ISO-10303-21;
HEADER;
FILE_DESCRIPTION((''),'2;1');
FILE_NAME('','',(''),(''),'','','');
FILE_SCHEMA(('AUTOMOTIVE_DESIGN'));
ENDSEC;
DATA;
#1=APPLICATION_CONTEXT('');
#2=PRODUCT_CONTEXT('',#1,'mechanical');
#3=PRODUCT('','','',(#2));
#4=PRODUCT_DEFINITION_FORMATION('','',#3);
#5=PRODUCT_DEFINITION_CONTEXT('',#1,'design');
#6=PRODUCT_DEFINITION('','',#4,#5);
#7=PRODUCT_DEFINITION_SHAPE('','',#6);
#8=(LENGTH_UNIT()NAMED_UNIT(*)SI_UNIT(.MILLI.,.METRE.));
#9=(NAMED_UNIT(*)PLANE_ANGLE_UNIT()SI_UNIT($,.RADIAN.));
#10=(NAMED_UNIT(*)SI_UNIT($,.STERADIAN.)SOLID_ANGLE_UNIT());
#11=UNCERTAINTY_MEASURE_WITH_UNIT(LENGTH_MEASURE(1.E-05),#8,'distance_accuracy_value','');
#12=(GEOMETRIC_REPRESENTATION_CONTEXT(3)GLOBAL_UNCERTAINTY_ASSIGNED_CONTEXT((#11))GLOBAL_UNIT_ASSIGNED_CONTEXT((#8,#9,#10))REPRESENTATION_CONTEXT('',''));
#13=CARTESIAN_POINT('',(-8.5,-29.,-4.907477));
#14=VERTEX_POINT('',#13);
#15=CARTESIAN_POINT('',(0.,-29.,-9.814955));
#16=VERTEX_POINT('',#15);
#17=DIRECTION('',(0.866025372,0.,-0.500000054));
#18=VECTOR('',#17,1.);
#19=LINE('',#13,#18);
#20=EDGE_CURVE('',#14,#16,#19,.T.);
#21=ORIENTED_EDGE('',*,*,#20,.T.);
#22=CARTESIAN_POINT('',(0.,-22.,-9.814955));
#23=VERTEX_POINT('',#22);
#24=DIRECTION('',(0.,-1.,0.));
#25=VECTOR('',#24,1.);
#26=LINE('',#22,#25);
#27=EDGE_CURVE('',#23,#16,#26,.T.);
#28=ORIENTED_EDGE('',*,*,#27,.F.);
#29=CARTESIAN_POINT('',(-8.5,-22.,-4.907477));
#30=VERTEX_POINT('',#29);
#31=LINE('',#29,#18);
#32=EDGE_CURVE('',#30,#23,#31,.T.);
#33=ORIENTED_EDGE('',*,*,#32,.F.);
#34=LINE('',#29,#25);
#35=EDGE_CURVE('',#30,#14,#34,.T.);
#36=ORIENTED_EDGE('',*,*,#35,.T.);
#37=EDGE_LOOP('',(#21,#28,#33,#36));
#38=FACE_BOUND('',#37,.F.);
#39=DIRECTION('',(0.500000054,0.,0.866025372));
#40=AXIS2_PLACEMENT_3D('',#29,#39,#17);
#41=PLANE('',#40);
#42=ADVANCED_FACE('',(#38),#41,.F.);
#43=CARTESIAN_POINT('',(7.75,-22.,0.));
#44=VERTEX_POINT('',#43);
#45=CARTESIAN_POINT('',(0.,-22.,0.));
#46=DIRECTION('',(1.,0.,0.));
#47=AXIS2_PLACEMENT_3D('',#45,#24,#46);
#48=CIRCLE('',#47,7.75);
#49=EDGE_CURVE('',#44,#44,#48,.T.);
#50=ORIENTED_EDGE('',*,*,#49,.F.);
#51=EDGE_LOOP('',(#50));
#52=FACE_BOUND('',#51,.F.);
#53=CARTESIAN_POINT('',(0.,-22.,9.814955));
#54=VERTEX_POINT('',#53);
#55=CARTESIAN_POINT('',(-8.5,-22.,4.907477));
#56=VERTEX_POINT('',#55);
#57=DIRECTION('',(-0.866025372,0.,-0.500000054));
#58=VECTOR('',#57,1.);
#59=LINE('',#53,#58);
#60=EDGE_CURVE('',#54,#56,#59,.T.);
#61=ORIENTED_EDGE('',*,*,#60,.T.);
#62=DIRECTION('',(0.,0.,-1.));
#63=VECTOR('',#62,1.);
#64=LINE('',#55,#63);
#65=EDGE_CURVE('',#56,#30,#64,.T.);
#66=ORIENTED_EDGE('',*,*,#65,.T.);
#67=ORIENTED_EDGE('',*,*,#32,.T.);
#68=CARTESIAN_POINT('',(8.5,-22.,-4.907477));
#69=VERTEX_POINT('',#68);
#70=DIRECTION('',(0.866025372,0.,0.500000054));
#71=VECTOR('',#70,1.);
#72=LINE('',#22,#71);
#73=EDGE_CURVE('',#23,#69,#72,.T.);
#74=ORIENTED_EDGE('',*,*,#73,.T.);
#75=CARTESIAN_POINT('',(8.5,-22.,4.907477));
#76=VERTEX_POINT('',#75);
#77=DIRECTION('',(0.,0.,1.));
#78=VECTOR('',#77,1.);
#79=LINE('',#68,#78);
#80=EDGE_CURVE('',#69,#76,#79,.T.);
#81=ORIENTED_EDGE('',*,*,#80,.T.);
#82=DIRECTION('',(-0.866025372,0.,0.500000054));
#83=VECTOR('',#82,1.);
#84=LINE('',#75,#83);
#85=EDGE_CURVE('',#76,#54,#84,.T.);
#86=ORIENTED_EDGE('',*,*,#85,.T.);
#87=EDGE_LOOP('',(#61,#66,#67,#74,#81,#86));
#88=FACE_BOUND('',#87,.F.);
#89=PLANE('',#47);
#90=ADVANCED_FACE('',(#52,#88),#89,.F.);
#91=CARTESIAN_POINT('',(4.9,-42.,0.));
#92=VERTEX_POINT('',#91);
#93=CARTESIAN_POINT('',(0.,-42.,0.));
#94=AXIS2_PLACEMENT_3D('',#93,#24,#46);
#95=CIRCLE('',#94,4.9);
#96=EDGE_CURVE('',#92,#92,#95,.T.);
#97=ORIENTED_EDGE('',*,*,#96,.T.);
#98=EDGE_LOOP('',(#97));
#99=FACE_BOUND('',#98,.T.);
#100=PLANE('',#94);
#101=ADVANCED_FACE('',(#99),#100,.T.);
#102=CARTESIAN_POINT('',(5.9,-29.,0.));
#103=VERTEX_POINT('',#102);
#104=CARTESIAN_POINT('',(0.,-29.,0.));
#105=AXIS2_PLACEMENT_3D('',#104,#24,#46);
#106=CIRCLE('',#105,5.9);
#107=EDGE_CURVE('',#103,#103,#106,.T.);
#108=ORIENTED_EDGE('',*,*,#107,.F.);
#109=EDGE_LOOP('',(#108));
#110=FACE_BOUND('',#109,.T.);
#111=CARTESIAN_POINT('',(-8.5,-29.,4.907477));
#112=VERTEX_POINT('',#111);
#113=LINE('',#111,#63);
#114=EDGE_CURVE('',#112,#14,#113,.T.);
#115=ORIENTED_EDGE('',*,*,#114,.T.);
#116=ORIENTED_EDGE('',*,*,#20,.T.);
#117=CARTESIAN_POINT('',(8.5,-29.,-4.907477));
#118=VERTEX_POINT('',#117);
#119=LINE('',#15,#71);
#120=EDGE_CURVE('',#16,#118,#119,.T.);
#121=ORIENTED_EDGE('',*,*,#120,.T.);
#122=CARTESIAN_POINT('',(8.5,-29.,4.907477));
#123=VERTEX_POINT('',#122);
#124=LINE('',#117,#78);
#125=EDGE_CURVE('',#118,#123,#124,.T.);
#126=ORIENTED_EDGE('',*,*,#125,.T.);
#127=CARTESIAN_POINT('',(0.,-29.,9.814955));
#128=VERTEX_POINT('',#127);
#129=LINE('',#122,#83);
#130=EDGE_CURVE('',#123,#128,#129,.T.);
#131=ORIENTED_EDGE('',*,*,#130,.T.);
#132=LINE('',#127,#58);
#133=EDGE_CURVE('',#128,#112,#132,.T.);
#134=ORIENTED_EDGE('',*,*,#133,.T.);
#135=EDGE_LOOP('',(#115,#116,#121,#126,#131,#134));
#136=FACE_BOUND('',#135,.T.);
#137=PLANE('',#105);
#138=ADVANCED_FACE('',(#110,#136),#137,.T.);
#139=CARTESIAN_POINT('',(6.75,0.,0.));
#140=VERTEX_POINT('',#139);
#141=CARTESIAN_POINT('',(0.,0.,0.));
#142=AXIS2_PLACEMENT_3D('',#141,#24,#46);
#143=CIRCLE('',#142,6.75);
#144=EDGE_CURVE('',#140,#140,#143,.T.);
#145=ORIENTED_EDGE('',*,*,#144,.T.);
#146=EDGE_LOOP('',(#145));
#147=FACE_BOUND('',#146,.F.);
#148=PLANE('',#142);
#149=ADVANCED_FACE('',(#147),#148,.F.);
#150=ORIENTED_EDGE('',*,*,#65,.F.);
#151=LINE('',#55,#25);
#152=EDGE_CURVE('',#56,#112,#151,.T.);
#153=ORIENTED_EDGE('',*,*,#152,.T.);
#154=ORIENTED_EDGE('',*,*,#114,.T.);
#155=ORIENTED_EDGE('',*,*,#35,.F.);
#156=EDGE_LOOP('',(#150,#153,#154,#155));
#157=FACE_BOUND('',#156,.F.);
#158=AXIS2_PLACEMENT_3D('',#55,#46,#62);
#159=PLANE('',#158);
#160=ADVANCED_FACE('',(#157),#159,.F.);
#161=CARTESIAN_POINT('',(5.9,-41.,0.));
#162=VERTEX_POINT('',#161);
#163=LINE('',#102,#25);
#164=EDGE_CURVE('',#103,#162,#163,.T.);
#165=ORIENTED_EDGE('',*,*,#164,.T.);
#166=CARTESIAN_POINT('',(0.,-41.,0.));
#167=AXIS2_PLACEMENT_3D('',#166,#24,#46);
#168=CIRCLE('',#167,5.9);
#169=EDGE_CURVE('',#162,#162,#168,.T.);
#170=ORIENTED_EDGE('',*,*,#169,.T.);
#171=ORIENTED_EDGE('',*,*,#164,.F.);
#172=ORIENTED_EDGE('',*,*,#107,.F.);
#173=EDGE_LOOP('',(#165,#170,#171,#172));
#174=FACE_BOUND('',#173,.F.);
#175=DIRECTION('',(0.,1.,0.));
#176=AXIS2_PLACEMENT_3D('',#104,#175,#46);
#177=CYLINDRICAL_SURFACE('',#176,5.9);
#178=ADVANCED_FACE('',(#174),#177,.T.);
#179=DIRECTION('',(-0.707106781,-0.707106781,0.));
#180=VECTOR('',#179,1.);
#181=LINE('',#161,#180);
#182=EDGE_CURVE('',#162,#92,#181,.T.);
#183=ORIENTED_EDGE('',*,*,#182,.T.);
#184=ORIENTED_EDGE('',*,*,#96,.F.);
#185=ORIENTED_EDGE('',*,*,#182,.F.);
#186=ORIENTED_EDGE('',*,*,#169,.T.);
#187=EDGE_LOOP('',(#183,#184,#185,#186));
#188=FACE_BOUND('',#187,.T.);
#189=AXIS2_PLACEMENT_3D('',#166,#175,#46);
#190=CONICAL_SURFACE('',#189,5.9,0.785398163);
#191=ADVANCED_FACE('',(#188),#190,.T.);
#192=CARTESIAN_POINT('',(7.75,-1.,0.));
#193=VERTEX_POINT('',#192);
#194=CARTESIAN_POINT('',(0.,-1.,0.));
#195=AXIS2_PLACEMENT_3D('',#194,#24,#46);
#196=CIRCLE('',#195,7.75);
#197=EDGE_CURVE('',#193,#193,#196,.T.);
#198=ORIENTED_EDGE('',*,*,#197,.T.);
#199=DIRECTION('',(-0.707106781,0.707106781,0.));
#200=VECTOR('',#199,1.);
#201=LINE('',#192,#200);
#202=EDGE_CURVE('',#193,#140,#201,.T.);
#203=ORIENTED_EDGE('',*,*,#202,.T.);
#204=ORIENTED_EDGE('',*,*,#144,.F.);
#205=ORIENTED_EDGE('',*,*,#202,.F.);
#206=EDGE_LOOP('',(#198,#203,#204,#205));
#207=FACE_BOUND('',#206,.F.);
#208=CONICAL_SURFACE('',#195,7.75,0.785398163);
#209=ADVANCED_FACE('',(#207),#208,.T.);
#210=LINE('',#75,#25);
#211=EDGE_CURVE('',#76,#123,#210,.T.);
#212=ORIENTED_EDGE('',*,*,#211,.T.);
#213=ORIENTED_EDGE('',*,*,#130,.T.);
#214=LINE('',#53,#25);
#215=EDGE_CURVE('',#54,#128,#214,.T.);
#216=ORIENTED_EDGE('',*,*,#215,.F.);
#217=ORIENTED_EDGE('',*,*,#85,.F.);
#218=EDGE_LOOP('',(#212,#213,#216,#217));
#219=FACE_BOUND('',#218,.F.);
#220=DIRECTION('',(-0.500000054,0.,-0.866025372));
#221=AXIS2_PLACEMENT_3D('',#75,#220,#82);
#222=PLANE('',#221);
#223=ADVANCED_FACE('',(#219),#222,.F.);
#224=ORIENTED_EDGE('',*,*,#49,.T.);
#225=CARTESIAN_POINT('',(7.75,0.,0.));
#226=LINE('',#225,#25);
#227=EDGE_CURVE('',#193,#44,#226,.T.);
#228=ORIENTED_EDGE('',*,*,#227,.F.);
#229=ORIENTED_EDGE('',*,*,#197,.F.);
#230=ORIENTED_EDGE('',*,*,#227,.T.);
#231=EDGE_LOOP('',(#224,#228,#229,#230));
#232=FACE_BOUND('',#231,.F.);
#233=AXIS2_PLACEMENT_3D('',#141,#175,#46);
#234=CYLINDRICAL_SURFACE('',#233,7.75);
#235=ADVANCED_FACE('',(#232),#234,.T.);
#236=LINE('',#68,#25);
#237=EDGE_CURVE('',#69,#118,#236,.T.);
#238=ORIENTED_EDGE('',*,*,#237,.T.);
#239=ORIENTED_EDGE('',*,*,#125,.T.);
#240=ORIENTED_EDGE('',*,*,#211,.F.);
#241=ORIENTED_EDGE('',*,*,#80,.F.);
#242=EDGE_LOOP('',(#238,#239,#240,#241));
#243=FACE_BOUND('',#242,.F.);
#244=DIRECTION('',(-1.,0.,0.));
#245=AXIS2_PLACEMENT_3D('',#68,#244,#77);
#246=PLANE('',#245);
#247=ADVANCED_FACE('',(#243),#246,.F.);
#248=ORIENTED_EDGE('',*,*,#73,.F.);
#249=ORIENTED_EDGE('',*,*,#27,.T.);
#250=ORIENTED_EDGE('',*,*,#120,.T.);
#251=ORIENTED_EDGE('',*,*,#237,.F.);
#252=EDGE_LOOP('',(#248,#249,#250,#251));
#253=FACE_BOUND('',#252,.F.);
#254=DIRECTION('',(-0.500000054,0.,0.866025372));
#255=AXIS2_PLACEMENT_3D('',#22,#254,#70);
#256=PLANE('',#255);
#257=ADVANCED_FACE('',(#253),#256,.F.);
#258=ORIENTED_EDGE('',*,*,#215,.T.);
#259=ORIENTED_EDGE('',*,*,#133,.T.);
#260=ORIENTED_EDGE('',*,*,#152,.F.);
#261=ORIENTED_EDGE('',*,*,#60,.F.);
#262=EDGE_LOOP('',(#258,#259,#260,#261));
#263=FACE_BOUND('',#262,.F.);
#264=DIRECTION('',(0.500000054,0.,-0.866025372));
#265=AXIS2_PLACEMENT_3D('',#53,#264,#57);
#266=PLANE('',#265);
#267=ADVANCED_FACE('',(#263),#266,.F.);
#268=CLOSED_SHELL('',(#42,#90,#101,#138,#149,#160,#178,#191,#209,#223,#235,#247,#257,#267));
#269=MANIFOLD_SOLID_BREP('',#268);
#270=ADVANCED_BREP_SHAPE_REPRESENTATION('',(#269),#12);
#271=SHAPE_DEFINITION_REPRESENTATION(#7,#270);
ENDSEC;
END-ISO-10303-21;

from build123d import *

# Parameters (mm, degrees)
F0_R     = 7.75
F1_DEPTH = 22
F3_DEPTH = 7
F4_R     = 5.9
F5_DEPTH = 13
F6_SIZE  = 1


with BuildPart() as f1:
    # F0 (on Front) → F1 (new body)
    with BuildSketch(Plane.XZ):
        Circle(F0_R)
    extrude(amount=F1_DEPTH)

    # F2 (on face) → F3 (join)
    with BuildSketch(Plane.XZ.offset(22)):
        Polygon((8.5, -4.907477), (8.5, 4.907477), (0, 9.814955), (-8.5, 4.907477), (-8.5, -4.907477), (0, -9.814955), align=None)
    extrude(amount=F3_DEPTH)

    # F4 (on face) → F5 (join)
    with BuildSketch(Plane.XZ.offset(29)):
        Circle(F4_R)
    extrude(amount=F5_DEPTH)

    # F6
    f6_edges = [f1.edges().sort_by_distance(p)[0] for p in [
        (-5.9, -42, 0),
        (-7.75, 0, 0),
    ]]
    chamfer(f6_edges, length=F6_SIZE)


solid = f1.part
